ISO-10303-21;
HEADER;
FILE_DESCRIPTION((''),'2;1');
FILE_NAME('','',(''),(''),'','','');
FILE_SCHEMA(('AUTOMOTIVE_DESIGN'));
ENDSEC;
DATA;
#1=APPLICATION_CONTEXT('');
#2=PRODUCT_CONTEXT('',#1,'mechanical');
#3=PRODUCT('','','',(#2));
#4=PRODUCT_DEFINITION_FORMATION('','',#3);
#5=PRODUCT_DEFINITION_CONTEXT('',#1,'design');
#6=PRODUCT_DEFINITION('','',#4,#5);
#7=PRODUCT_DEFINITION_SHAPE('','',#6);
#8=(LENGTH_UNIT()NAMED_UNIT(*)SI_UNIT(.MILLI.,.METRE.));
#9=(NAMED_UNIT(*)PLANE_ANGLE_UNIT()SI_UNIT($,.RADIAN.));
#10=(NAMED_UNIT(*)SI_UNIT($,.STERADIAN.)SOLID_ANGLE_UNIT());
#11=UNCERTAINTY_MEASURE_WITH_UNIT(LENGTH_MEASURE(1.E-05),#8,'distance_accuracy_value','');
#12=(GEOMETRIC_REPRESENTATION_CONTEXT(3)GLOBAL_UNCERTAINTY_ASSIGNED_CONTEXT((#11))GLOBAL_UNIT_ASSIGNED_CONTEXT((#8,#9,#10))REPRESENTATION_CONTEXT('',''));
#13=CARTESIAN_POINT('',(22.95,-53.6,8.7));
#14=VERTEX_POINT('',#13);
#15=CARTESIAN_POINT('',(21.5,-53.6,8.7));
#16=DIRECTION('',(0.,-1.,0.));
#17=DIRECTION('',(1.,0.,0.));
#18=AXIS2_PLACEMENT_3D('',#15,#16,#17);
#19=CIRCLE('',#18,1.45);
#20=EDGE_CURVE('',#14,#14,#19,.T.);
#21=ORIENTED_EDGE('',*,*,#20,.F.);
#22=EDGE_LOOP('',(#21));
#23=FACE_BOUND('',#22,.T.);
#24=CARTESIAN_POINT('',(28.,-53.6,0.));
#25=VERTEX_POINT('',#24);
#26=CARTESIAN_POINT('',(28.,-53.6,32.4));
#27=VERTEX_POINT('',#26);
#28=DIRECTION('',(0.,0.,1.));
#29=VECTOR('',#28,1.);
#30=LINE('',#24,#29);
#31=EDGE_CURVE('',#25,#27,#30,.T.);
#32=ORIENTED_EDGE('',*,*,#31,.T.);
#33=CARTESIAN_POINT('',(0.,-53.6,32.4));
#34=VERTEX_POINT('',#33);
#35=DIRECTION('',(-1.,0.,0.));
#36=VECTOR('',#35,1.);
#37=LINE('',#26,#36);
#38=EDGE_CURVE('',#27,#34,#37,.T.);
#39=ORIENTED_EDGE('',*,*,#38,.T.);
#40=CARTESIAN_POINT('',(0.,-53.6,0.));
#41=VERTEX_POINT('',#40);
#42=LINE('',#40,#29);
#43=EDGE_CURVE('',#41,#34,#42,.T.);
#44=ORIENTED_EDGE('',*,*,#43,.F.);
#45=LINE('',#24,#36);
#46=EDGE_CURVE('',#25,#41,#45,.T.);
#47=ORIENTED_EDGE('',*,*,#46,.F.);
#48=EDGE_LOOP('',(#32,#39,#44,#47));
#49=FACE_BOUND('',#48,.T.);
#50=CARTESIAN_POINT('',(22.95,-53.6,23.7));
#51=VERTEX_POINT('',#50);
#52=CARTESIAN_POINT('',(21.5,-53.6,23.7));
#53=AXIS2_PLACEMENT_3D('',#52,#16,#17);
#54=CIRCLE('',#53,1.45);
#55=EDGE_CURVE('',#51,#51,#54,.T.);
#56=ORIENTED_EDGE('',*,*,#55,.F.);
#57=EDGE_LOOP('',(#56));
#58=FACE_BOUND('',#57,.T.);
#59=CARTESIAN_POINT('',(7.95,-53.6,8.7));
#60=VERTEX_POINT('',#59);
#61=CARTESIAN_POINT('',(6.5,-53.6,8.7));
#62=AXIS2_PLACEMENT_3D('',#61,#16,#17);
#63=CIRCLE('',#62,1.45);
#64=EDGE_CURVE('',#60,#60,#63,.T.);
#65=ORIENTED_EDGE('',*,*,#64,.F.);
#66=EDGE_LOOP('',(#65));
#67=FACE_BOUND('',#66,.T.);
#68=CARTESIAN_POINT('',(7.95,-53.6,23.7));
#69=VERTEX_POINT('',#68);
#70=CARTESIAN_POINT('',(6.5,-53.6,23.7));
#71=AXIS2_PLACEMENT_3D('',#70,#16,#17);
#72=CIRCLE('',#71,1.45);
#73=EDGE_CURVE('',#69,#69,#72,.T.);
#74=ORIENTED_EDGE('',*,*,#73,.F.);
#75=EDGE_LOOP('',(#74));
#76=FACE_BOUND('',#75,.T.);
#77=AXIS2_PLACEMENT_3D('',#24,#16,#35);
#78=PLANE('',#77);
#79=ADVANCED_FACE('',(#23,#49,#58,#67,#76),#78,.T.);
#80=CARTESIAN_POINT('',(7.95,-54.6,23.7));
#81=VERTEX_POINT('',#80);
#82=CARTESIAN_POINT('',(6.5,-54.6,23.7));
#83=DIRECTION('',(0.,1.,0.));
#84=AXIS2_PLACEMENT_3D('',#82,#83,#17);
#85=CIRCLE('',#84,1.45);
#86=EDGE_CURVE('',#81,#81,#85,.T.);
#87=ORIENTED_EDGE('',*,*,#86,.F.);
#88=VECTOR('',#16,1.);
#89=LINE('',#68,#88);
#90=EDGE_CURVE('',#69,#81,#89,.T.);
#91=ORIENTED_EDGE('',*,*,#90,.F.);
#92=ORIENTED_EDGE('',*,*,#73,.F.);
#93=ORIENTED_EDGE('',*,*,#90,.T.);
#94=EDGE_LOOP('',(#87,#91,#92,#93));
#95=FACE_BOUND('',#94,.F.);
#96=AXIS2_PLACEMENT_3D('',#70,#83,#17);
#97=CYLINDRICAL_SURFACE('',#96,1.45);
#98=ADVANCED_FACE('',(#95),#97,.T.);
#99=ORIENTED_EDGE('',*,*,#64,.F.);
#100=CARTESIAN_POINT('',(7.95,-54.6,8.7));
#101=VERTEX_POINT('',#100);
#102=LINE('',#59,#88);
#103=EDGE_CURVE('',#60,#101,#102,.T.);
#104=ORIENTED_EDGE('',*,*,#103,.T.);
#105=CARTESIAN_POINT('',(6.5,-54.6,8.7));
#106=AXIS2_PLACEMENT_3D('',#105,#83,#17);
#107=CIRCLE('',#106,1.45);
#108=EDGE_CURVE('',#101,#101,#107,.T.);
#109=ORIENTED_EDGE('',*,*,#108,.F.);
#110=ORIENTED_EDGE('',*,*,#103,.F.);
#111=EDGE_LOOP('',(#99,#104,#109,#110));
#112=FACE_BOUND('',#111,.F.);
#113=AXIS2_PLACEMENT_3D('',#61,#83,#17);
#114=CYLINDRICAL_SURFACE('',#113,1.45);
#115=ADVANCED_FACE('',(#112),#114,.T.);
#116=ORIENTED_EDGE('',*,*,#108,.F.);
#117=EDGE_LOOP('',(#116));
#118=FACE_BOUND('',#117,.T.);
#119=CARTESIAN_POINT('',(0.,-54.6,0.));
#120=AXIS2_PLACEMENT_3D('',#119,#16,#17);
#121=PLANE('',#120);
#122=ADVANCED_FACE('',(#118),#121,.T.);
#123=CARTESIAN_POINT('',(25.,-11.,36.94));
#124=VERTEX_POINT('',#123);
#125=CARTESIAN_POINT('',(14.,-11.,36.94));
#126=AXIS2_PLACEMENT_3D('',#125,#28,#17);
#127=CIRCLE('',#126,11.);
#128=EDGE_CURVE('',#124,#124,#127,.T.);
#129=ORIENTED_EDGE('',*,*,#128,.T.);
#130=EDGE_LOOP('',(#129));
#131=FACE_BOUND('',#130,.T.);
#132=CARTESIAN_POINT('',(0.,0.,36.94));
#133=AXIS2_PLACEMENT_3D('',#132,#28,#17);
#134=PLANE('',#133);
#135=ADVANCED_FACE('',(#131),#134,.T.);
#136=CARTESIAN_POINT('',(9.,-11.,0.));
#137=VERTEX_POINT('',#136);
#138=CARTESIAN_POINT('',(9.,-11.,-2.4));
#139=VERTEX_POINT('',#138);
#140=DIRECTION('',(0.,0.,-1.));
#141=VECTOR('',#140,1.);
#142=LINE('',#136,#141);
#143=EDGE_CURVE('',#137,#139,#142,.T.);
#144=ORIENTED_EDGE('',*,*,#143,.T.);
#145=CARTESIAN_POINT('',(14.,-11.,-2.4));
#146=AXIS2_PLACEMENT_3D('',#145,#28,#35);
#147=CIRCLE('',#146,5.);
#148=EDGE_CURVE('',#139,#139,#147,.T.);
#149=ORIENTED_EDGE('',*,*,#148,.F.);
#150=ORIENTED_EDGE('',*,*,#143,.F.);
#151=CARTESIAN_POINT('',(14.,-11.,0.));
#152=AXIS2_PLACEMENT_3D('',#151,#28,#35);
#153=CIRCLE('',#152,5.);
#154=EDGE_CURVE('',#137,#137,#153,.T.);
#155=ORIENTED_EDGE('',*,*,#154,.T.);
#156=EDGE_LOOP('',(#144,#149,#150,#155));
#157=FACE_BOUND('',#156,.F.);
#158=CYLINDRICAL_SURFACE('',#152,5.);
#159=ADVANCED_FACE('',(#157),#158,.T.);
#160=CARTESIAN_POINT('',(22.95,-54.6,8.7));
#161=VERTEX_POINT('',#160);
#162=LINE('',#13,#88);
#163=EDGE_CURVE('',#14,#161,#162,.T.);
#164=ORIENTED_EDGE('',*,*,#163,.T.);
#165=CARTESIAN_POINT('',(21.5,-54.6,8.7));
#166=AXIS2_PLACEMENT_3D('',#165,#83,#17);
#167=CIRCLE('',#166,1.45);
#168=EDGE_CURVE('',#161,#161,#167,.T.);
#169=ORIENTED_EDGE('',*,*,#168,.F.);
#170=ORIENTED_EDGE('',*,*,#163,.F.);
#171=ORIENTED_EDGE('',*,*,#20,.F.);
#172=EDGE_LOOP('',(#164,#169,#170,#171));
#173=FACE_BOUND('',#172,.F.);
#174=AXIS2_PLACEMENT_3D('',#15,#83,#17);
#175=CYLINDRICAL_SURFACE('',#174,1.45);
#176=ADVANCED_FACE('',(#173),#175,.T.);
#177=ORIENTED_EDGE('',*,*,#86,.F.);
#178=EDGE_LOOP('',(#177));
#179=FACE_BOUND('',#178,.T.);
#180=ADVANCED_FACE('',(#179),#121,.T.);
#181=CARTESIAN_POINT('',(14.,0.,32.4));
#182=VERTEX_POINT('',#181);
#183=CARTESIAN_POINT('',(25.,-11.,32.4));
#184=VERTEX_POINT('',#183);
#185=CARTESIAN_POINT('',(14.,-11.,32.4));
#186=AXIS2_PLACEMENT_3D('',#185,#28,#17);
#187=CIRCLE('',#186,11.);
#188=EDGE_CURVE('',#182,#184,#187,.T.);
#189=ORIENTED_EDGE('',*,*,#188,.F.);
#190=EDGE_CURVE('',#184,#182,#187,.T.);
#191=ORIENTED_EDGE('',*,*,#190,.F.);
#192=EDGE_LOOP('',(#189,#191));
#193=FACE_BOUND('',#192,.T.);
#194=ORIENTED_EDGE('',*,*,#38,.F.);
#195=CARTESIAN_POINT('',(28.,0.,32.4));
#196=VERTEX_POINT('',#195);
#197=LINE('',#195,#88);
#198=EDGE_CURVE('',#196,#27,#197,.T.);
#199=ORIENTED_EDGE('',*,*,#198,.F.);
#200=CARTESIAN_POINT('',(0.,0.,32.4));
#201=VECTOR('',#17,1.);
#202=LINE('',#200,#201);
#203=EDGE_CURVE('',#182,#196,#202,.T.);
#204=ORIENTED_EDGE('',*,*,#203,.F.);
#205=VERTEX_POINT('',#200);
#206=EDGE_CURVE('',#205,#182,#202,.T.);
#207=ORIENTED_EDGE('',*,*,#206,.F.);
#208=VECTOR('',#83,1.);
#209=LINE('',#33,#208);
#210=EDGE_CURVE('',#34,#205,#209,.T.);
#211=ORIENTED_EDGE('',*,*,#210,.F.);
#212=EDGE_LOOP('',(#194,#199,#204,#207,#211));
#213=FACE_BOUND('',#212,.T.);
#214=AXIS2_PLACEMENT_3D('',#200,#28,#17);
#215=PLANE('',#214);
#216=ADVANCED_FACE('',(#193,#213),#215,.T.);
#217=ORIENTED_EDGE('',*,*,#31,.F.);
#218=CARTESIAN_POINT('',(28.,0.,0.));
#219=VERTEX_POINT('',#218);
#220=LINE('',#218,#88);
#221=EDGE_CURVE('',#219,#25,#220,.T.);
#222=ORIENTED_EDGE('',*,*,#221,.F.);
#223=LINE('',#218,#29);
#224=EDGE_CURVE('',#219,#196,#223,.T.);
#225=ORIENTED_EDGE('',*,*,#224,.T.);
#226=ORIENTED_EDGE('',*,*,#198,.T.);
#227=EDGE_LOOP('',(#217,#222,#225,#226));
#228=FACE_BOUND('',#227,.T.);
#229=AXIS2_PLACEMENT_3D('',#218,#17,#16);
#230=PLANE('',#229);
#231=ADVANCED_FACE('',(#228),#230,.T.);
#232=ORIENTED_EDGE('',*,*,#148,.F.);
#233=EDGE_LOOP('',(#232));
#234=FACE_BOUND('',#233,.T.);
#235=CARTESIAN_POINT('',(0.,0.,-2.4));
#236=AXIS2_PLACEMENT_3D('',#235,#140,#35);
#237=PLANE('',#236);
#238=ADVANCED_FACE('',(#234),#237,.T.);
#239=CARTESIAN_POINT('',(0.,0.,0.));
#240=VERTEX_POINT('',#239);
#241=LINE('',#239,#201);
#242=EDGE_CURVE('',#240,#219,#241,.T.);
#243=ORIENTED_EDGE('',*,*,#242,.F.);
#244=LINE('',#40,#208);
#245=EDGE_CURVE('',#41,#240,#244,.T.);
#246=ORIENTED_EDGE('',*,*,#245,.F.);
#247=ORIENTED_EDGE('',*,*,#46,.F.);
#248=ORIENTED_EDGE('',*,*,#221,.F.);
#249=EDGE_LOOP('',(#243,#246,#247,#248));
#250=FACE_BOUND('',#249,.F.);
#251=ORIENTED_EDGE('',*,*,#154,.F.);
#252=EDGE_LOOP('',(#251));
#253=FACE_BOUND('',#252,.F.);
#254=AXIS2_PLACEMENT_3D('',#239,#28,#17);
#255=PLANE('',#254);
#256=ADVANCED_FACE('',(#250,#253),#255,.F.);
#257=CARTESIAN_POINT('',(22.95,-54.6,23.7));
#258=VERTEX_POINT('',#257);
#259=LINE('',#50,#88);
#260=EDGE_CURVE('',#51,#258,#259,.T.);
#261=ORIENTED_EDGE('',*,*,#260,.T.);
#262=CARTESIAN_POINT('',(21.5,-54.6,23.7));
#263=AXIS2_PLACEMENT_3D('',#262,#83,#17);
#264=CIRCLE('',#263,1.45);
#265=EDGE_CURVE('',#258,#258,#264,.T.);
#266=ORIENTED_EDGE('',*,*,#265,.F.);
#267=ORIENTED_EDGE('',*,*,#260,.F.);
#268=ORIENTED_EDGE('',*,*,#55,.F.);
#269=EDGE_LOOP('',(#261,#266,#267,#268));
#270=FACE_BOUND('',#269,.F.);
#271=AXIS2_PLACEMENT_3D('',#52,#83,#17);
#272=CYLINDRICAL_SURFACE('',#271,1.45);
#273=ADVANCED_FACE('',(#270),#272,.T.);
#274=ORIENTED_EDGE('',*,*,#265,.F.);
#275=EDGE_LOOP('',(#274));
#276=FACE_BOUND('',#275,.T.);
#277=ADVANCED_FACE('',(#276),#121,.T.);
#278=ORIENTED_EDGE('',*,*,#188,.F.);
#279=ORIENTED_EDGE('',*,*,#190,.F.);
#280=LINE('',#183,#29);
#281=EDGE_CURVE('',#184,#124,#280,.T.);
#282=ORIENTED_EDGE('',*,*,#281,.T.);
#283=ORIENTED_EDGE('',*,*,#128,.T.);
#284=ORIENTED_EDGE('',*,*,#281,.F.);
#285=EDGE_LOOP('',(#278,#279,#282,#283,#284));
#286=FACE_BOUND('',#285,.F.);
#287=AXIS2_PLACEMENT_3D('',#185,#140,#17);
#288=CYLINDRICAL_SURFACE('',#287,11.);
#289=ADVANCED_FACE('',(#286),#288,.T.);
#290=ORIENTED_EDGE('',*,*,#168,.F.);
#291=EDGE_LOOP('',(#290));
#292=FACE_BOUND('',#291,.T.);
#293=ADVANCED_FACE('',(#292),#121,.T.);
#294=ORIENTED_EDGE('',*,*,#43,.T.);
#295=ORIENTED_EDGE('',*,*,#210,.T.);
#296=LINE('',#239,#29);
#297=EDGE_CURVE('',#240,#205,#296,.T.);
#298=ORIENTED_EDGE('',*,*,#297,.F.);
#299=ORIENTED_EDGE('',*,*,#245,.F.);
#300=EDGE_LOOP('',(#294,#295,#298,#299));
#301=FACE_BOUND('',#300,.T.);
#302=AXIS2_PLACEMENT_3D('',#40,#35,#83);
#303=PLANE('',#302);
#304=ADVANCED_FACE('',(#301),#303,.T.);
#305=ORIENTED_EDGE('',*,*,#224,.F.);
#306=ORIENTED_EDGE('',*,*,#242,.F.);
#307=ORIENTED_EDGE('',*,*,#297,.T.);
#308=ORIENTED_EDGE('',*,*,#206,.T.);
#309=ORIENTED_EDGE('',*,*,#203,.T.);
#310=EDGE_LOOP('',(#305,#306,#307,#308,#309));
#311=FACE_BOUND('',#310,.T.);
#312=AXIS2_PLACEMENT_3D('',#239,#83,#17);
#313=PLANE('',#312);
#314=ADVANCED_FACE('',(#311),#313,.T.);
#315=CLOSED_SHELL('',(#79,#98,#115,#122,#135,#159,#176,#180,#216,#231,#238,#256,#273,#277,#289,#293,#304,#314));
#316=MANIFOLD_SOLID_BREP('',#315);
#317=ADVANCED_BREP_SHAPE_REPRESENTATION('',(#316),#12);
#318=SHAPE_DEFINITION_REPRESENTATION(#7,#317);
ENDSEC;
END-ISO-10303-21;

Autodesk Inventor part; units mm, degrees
ref_plane "YZ Plane" through (0, 0, 0) normal (1, 0, 0) x (0, 1, 0)
ref_plane "XZ Plane" through (0, 0, 0) normal (0, 1, 0) x (-1, 0, 0)
ref_plane "XY Plane" through (0, 0, 0) normal (0, 0, 1) x (1, 0, 0)
sketch "Sketch1" plane through (0, 0, 0) normal (0, 0, 1) x (1, 0, 0)
  line L0 (0, 0) -> (28, 0)
  line L1 (28, 0) -> (28, -53.6)
  line L2 (28, -53.6) -> (0, -53.6)
  line L3 (0, -53.6) -> (0, 0)
  dimension "d0" = 28
  dimension "d1" = 53.6
extrude "Extrusion1" add sketch "Sketch1" along normal blind 32.4
sketch "Sketch2" plane through (0, 0, 32.4) normal (0, 0, 1) x (1, 0, 0)
  circle A0 centre (14, -11) radius 11
  dimension "d5" = 22
extrude "Extrusion2" add sketch "Sketch2" along normal blind 4.54
sketch "Sketch3" plane through (0, 0, 0) normal (0, 0, -1) x (-1, 0, 0)
  line L0 (0, 0) -> (-28, 0) projected
  line L1 (0, 0) -> (-14, 0)
  line L2 (-14, 0) -> (-14, -11)
  circle A0 centre (-14, -11) radius 5
  dimension "d8" = 14
  dimension "d9" = 11
  dimension "d10" = 10
extrude "Extrusion3" add sketch "Sketch3" along normal blind 2.4
sketch "Sketch4" plane through (0, -53.6, 0) normal (0, -1, 0) x (1, 0, 0)
  line L0 (0, 0) -> (28, 0) projected
  line L1 (0, 0) -> (0, 32.4) projected
  line L2 (6.5, 23.7) -> (6.5, 8.7)
  line L3 (6.5, 8.7) -> (21.5, 8.7)
  line L4 (21.5, 8.7) -> (21.5, 23.7)
  circle A0 centre (6.5, 23.7) radius 1.45
  circle A1 centre (6.5, 8.7) radius 1.45
  circle A2 centre (21.5, 8.7) radius 1.45
  circle A3 centre (21.5, 23.7) radius 1.45
  dimension "d17" = 15
  dimension "d18" = 15
  dimension "d19" = 2.9
  dimension "d20" = 2.9
  dimension "d21" = 2.9
  dimension "d22" = 2.9
extrude "Extrusion4" add sketch "Sketch4" along normal blind 1
properties part number "ax_18_replace"
